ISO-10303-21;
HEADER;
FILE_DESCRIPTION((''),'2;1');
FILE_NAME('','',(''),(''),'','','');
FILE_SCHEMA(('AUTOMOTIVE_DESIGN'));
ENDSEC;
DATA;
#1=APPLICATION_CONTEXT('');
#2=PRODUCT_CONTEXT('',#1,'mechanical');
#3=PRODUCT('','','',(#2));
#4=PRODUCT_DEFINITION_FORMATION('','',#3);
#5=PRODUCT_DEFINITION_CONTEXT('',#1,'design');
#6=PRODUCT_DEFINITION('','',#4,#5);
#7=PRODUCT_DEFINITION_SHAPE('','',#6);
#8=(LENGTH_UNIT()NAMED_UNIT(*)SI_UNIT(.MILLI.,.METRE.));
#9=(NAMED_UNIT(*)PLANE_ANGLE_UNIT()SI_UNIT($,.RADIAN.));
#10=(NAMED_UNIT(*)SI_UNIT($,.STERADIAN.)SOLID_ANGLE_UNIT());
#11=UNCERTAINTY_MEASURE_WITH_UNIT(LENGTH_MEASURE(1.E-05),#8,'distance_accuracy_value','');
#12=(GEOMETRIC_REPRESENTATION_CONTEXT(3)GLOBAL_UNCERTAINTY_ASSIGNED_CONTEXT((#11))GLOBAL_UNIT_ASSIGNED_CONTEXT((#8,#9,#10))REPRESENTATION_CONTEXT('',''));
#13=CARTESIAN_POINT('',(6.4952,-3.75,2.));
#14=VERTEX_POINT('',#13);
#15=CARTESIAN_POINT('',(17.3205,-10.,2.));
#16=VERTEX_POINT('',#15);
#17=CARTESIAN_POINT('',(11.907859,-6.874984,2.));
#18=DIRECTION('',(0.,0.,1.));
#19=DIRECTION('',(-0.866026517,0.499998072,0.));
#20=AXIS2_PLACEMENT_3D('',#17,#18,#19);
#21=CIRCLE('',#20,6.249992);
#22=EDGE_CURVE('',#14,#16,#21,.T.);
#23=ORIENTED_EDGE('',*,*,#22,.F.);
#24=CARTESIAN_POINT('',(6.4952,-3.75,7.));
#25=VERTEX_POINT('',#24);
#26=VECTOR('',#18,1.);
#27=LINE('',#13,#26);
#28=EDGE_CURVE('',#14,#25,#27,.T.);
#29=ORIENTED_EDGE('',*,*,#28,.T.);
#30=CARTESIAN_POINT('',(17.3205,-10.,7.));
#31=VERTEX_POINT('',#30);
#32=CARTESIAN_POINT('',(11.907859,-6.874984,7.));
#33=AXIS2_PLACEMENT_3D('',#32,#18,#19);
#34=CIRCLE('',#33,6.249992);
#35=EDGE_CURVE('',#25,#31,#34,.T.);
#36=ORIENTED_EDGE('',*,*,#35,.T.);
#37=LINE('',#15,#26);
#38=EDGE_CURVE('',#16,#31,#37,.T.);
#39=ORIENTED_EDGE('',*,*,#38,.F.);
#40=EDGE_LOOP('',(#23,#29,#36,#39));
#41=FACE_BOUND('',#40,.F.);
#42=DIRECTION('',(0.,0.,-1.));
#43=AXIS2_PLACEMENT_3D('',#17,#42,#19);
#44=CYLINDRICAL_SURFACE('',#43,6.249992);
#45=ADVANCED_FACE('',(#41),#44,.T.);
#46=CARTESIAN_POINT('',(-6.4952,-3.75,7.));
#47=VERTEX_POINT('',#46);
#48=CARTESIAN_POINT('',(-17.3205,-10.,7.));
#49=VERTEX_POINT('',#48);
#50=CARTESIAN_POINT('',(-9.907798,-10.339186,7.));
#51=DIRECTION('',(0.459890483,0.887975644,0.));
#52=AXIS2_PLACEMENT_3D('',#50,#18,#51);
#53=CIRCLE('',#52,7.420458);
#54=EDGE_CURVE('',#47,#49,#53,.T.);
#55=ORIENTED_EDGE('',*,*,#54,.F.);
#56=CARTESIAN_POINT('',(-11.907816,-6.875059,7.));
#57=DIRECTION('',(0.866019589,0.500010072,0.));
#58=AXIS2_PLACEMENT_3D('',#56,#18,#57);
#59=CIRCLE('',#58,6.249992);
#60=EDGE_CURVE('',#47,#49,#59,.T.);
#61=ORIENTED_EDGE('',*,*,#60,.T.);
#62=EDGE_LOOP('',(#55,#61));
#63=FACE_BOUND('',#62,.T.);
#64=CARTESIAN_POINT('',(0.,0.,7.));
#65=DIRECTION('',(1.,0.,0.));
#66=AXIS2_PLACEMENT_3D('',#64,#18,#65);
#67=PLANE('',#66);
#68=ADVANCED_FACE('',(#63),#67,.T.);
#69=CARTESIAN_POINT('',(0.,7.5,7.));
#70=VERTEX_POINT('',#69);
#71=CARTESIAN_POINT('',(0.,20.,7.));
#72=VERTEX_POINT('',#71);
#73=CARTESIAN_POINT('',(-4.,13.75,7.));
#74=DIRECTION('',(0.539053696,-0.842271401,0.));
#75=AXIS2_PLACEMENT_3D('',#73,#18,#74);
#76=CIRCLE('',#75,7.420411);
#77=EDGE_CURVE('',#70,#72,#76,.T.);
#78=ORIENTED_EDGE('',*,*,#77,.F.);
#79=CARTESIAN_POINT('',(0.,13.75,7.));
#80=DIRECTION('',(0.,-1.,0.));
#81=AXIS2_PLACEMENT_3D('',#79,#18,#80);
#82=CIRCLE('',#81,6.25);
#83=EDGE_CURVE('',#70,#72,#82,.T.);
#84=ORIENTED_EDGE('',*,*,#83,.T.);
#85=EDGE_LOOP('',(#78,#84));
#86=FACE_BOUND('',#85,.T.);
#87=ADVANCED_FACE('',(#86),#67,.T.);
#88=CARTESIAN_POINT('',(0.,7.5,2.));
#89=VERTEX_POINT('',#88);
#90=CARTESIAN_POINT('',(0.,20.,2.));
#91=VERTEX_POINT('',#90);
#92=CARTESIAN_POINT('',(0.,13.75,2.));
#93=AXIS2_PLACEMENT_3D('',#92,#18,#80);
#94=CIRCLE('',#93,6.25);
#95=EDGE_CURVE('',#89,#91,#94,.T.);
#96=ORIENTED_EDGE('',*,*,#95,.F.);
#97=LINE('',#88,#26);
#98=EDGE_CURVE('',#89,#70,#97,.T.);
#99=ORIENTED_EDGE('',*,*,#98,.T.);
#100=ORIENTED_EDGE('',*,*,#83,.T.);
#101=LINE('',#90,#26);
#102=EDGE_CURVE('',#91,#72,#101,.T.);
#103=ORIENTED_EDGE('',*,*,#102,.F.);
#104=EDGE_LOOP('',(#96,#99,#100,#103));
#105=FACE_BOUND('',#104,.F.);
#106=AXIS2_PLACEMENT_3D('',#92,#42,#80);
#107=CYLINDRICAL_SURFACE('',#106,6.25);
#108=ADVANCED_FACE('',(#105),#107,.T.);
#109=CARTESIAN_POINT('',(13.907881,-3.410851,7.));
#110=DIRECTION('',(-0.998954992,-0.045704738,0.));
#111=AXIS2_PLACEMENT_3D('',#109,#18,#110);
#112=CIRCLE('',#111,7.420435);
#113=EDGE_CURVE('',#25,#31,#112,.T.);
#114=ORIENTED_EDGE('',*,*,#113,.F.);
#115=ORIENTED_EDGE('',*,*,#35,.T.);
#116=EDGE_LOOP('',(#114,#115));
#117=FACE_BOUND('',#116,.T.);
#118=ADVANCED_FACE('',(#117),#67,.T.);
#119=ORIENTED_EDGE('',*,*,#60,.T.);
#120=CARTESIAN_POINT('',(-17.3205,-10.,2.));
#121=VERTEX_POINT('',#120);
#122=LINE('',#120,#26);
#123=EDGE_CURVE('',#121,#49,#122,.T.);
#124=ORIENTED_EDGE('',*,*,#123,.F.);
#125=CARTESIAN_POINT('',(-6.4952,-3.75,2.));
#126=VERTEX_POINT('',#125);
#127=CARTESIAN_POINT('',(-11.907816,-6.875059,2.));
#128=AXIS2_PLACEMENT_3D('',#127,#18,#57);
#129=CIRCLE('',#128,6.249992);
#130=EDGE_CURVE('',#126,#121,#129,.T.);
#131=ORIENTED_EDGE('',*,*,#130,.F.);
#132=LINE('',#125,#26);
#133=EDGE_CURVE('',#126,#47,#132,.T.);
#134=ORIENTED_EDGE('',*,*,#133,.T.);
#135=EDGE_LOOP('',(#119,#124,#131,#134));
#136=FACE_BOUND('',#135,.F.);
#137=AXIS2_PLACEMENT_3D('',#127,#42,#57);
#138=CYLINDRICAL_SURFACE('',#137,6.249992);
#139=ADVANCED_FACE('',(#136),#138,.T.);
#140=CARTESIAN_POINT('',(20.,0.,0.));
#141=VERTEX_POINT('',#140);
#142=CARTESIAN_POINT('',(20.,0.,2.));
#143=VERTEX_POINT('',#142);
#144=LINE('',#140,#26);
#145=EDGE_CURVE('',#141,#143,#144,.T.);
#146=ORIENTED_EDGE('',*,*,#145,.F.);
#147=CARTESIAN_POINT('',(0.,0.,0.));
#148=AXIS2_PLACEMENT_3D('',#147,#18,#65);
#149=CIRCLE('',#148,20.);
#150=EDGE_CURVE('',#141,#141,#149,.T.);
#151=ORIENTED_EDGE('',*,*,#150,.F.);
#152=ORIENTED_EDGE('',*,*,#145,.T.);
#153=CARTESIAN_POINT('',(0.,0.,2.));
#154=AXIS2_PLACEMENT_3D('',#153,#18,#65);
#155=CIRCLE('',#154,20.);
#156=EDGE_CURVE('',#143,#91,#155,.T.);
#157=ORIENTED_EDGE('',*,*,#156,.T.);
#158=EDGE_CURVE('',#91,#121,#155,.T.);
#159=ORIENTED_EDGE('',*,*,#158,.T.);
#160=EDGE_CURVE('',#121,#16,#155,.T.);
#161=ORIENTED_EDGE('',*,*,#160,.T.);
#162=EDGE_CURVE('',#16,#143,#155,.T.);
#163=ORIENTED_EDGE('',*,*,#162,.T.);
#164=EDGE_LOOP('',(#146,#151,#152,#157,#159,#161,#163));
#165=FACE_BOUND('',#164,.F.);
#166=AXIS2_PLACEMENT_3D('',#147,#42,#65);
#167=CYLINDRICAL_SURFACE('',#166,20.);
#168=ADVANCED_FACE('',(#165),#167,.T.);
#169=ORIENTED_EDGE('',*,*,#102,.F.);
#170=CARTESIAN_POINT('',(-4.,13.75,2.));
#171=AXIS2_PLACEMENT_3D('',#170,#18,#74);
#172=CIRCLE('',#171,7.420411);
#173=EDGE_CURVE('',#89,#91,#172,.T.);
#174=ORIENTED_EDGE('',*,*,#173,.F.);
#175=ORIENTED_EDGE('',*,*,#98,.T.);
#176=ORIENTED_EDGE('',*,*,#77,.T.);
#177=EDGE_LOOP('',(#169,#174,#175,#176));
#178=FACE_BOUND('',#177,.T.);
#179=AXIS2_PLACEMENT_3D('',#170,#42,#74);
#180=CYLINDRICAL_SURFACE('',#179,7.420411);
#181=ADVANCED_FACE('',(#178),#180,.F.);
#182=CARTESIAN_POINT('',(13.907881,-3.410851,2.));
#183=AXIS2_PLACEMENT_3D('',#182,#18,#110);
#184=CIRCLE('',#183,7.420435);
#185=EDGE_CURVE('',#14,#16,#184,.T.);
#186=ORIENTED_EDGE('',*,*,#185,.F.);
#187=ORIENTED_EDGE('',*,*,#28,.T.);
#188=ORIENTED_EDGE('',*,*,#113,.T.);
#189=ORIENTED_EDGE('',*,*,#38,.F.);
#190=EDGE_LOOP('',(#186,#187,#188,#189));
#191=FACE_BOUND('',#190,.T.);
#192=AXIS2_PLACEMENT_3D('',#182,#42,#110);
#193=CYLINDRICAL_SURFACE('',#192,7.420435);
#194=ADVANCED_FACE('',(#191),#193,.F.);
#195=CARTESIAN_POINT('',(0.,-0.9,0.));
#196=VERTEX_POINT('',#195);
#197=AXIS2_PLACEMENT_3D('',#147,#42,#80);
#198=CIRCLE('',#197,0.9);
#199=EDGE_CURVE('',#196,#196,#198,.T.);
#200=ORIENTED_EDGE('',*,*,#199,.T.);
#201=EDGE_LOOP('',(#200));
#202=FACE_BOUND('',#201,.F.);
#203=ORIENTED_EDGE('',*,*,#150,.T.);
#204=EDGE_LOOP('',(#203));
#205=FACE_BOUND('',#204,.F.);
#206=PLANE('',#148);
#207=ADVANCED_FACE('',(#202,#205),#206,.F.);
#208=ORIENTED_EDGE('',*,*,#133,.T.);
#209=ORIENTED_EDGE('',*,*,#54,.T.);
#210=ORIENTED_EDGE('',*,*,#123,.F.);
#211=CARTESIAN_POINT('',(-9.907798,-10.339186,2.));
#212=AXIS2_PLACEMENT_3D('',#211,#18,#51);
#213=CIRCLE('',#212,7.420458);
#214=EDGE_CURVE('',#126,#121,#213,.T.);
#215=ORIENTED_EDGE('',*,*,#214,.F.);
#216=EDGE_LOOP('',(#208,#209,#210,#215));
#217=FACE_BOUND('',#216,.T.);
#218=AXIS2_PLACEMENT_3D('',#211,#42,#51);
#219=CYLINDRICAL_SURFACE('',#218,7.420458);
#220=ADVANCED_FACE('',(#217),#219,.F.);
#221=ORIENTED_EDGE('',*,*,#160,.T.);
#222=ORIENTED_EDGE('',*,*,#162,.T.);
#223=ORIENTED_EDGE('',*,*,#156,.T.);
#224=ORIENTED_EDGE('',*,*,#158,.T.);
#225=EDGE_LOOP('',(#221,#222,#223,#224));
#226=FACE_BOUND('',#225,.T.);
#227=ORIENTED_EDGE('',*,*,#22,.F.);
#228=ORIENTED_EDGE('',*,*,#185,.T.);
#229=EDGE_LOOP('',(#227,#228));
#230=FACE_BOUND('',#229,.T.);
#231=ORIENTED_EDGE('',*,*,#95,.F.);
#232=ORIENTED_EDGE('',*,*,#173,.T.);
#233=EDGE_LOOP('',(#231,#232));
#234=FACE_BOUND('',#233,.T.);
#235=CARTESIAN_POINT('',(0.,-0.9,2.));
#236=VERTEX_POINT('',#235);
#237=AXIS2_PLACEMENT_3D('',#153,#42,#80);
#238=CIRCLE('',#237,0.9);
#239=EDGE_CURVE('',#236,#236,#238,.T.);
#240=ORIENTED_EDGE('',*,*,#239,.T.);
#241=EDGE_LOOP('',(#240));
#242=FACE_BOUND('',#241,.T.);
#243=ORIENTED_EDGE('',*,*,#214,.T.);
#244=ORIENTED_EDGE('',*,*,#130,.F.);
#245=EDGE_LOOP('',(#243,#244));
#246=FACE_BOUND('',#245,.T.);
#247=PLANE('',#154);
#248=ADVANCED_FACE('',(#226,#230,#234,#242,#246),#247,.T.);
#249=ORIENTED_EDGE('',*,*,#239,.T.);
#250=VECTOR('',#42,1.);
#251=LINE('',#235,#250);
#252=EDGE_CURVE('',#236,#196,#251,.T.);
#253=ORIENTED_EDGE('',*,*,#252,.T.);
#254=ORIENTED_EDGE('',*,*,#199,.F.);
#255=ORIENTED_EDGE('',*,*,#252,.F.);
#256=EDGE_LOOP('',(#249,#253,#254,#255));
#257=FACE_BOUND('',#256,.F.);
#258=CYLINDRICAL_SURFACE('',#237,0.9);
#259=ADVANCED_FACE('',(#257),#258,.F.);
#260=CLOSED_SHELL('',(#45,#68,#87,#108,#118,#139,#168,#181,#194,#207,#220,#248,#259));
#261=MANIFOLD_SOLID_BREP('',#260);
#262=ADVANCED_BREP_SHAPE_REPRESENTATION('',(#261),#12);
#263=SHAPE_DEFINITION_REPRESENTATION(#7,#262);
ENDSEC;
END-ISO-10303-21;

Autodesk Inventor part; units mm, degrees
ref_plane "YZ Plane" through (0, 0, 0) normal (1, 0, 0) x (0, 1, 0)
ref_plane "XZ Plane" through (0, 0, 0) normal (0, 1, 0) x (-1, 0, 0)
ref_plane "XY Plane" through (0, 0, 0) normal (0, 0, 1) x (1, 0, 0)
sketch "スケッチ1" plane through (0, 0, 0) normal (0, 0, 1) x (1, 0, 0)
  circle A0 centre (0, 0) radius 20
  dimension "d0" = 40
extrude "押し出し1" add sketch "スケッチ1" along normal blind 2
sketch "スケッチ2" plane through (0, 0, 2) normal (0, 0, 1) x (1, 0, 0)
  circle A0 centre (0, 0) radius 7.5
  circle A1 centre (0, 0) radius 20 projected
  arc A2 (0, 7.5) -> (0, 20) centre (0, 13.75) ccw
  arc A3 (0, 7.5) -> (0, 20) centre (-4, 13.75) ccw
  arc A4 (-6.4952, -3.75) -> (-17.3205, -10) centre (-11.9078, -6.875) ccw
  arc A5 (-6.4952, -3.75) -> (-17.3205, -10) centre (-9.9078, -10.3391) ccw
  arc A6 (6.4952, -3.75) -> (17.3205, -10) centre (11.9078, -6.875) ccw
  arc A7 (6.4952, -3.75) -> (17.3205, -10) centre (13.9078, -3.4109) ccw
  dimension "d3" = 15
  dimension "d4" = 4
  dimension "d20" = 360
extrude "押し出し2" add sketch "スケッチ2" along normal blind 5 contours A3 A2 | A7 A6 | A5 A4
sketch "スケッチ3" plane through (0, 0, 2) normal (0, 0, 1) x (1, 0, 0)
  point P0 (0, 0)
  point P1 (0, 0)
hole "穴1" at (0, 0, 2) direction (0, 0, -1) diameter 1.8 depth 8.8 tip angle 118
properties part number "20220618_ファン40mm羽数12枚2mm"
